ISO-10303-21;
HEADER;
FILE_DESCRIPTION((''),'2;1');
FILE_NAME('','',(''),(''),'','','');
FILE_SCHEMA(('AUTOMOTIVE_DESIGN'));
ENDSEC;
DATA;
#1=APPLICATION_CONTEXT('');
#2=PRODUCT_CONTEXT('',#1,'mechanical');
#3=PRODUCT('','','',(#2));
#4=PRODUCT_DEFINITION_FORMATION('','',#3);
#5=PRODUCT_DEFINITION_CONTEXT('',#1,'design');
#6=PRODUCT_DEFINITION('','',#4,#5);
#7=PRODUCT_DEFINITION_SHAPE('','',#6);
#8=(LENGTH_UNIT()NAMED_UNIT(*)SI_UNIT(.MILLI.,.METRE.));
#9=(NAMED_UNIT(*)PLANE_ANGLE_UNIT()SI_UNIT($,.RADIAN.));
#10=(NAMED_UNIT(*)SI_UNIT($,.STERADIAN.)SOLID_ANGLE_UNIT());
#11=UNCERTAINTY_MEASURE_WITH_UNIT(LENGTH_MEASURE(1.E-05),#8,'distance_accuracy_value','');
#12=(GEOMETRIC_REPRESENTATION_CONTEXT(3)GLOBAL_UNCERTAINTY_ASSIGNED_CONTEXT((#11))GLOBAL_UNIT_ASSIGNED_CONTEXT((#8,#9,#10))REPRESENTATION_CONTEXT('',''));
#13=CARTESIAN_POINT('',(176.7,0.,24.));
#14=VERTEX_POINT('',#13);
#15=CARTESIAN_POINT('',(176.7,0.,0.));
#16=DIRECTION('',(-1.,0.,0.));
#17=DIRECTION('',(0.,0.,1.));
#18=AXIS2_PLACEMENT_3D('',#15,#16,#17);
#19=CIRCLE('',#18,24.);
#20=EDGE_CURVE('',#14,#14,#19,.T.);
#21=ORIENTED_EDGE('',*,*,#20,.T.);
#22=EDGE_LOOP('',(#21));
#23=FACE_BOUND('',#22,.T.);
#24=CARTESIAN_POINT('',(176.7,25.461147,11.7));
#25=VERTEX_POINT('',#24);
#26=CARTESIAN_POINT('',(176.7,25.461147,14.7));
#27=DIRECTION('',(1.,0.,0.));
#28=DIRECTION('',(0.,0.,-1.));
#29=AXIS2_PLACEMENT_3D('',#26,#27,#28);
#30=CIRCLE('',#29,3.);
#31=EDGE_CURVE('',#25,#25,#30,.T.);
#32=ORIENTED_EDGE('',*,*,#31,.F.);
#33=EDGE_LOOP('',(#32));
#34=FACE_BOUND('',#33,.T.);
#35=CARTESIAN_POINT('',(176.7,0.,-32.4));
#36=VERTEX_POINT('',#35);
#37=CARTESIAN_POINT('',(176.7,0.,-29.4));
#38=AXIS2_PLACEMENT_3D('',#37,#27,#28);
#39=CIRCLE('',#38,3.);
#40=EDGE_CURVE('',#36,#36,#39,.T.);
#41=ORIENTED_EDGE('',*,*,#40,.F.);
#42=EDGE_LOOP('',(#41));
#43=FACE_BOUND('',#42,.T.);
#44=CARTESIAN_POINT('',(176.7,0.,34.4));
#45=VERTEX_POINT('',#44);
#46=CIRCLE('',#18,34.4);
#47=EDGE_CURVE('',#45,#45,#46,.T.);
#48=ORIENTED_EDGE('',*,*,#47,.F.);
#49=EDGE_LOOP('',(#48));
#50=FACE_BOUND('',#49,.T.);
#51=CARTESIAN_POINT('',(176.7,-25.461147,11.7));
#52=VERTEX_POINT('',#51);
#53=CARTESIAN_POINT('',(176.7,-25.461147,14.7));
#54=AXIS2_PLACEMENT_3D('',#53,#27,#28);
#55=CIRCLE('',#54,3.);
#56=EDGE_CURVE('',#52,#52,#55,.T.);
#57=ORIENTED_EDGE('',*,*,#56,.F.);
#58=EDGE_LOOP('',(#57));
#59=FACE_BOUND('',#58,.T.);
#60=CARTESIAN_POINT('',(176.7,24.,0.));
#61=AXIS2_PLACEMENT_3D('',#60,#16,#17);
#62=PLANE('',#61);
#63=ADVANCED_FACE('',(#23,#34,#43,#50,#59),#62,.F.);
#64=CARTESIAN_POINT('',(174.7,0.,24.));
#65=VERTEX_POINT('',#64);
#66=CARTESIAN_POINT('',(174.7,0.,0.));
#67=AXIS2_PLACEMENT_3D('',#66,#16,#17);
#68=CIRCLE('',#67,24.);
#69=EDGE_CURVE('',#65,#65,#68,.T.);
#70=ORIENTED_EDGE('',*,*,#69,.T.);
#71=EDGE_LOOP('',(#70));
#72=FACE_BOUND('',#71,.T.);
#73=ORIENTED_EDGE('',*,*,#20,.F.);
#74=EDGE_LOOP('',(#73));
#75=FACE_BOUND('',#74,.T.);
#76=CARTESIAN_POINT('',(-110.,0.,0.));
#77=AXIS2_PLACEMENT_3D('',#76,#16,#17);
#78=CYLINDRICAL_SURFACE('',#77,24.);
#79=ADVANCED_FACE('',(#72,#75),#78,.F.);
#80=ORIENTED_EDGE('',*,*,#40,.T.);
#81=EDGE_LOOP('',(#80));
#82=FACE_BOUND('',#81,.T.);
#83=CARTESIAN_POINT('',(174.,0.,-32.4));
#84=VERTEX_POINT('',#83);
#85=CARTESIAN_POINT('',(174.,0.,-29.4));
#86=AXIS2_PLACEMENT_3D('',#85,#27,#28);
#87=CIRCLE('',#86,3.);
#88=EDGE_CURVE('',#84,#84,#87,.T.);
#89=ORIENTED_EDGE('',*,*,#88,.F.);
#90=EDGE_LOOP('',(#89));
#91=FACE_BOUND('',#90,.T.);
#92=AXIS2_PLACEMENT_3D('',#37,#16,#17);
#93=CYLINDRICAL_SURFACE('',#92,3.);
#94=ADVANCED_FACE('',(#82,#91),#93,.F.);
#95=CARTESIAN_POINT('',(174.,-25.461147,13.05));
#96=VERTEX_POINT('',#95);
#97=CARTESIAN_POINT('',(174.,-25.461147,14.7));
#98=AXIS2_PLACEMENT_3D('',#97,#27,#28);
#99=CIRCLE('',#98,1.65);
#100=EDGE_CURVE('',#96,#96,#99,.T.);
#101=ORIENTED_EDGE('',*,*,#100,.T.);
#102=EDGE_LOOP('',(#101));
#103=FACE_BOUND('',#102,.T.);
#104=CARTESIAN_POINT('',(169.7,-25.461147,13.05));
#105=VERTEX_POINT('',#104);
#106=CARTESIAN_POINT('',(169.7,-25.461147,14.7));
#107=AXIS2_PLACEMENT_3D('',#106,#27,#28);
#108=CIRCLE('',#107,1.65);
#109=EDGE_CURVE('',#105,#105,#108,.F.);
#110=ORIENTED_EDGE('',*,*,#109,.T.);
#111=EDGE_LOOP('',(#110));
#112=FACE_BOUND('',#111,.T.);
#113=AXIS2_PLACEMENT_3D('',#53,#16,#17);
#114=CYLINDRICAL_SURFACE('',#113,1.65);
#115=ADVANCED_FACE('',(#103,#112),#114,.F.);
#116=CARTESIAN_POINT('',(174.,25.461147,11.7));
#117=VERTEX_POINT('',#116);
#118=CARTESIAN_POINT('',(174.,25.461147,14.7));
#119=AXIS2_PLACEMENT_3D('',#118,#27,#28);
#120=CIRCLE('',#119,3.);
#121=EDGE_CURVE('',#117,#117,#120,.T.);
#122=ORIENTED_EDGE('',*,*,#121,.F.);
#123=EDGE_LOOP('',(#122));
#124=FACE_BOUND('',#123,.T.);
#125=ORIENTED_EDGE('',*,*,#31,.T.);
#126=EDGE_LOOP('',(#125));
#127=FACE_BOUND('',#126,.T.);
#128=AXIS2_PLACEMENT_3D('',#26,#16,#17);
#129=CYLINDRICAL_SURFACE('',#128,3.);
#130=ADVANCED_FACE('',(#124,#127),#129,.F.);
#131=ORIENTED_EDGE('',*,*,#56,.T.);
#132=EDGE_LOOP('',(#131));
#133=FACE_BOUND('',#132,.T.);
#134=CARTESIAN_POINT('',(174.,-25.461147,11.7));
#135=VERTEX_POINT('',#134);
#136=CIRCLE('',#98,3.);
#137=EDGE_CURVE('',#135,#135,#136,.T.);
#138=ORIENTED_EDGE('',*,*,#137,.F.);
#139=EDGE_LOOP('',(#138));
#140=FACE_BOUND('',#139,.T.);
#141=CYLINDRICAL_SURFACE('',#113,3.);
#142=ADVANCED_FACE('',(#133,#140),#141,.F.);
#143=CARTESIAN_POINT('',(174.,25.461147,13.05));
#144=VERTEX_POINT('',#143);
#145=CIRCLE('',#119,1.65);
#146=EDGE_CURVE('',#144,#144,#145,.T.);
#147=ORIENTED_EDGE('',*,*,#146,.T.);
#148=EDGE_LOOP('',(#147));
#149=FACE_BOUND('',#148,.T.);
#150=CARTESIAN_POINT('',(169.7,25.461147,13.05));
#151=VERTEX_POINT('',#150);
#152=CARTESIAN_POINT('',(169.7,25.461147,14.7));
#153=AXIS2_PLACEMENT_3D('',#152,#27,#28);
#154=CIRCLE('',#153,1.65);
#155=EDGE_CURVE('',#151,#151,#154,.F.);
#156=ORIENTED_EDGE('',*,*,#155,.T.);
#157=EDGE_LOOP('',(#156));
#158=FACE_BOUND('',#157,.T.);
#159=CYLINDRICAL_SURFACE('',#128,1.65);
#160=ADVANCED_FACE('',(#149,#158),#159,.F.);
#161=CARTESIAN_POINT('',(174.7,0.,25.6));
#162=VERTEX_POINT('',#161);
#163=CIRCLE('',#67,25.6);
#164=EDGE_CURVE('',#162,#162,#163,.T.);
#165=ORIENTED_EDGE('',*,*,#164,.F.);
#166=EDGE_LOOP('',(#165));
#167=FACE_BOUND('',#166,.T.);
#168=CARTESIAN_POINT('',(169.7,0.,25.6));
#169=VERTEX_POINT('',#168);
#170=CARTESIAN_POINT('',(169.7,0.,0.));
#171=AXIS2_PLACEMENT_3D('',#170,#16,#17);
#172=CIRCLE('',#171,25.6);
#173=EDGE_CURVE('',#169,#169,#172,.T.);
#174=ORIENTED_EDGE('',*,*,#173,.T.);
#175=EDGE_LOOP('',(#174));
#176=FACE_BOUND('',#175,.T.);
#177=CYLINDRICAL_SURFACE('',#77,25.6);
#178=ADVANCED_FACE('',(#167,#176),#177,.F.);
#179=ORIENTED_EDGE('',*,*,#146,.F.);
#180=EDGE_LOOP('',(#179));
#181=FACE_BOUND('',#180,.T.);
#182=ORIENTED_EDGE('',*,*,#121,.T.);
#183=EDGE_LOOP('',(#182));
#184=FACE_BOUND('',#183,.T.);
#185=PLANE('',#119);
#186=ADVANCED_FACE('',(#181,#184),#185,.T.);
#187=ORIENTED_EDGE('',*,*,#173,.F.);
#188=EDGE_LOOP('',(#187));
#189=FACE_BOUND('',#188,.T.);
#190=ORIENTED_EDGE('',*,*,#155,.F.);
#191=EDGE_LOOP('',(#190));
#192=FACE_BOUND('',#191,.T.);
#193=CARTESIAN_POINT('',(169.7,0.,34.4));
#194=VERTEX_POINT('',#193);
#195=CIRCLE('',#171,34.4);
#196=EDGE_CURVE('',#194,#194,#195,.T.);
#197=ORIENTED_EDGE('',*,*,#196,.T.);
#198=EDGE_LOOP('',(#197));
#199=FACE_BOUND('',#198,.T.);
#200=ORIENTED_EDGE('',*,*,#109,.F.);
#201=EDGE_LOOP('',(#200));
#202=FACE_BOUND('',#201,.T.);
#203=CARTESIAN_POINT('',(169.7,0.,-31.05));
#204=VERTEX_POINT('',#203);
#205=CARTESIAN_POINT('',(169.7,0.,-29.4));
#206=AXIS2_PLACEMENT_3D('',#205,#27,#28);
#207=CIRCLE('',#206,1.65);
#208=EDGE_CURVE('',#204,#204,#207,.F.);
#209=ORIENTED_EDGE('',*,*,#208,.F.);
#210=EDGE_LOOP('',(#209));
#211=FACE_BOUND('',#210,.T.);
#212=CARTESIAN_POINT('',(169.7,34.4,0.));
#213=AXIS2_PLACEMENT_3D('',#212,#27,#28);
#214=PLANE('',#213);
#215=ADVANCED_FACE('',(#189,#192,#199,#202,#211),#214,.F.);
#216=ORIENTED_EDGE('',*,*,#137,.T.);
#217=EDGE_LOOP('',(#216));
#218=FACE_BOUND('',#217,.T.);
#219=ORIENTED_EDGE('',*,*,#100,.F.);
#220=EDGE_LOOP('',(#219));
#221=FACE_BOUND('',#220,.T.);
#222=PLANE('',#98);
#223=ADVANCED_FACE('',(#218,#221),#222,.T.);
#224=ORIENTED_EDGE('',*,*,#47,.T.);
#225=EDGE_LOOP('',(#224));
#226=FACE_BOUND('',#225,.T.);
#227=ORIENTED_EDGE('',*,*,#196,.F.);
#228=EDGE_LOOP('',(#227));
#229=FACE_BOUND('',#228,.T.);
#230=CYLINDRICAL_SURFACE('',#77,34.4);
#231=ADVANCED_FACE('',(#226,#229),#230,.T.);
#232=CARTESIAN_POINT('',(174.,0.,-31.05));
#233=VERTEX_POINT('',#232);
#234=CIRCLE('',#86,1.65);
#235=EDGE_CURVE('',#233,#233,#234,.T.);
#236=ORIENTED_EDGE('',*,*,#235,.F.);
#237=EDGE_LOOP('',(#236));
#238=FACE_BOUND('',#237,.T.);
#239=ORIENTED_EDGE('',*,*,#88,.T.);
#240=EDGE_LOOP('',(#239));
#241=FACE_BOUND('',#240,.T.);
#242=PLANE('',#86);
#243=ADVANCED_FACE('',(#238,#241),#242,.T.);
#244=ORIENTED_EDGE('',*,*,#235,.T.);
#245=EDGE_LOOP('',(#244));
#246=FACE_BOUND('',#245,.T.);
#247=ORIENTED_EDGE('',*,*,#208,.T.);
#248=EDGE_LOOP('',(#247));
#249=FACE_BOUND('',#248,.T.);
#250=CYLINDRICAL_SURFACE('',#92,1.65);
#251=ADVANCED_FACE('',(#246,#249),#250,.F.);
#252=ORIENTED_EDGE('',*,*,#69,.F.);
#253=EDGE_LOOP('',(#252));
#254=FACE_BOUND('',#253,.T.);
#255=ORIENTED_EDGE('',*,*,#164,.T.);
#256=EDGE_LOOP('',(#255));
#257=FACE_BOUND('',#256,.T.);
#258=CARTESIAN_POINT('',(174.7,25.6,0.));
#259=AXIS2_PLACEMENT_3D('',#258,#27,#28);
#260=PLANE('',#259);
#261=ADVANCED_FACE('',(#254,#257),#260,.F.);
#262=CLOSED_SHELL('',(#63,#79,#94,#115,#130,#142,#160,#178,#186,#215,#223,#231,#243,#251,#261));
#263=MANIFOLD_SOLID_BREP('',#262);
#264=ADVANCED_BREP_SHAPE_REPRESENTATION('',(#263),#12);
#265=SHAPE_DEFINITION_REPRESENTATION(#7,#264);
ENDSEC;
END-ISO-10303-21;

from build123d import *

# Parameters (mm, degrees)
AXIAL_HOLES_DEPTH      = 184.274684558
AXIAL_HOLES_DEPTH_BACK = 184.274684558
SKETCH2_R              = 1.65
CUT_EXTRUDE2_START     = 174
SKETCH3_R              = 3
CUT_EXTRUDE2_DEPTH     = 2.7


with BuildPart() as part:
    # Axial profile (mm) → Full revolution (revolve)
    with BuildSketch(Plane.XY, mode=Mode.PRIVATE) as full_revolution_sk:
        Polygon((169.7, 25.6), (174.7, 25.6), (174.7, 24), (176.7, 24), (176.7, 34.4), (169.7, 34.4), align=None)
    revolve(full_revolution_sk.sketch.rotate(Axis((-110, 0, 0), (1, 0, 0)), 90), axis=Axis((-110, 0, 0), (1, 0, 0)))

    # Sketch2 → Axial holes (cut, two sides: drawn at the far end of the back side and taken through both)
    with BuildSketch(Plane(origin=(0, 0, 0), x_dir=(0, 0, -1), z_dir=(1, 0, 0)).offset(-AXIAL_HOLES_DEPTH_BACK)):
        with Locations((29.4, 0)):
            Circle(SKETCH2_R)
        with Locations((-14.7, 25.461146871)):
            Circle(SKETCH2_R)
        with Locations((-14.7, -25.461146871)):
            Circle(SKETCH2_R)
    extrude(amount=AXIAL_HOLES_DEPTH + AXIAL_HOLES_DEPTH_BACK, mode=Mode.SUBTRACT)

    # Sketch3 → Cut-Extrude2 (cut)
    with BuildSketch(Plane(origin=(0, 0, 0), x_dir=(0, 0, -1), z_dir=(1, 0, 0)).offset(CUT_EXTRUDE2_START)):
        with Locations((29.4, 0)):
            Circle(SKETCH3_R)
        with Locations((-14.7, 25.461146871)):
            Circle(SKETCH3_R)
        with Locations((-14.7, -25.461146871)):
            Circle(SKETCH3_R)
    extrude(amount=CUT_EXTRUDE2_DEPTH, mode=Mode.SUBTRACT)


solid = part.part
